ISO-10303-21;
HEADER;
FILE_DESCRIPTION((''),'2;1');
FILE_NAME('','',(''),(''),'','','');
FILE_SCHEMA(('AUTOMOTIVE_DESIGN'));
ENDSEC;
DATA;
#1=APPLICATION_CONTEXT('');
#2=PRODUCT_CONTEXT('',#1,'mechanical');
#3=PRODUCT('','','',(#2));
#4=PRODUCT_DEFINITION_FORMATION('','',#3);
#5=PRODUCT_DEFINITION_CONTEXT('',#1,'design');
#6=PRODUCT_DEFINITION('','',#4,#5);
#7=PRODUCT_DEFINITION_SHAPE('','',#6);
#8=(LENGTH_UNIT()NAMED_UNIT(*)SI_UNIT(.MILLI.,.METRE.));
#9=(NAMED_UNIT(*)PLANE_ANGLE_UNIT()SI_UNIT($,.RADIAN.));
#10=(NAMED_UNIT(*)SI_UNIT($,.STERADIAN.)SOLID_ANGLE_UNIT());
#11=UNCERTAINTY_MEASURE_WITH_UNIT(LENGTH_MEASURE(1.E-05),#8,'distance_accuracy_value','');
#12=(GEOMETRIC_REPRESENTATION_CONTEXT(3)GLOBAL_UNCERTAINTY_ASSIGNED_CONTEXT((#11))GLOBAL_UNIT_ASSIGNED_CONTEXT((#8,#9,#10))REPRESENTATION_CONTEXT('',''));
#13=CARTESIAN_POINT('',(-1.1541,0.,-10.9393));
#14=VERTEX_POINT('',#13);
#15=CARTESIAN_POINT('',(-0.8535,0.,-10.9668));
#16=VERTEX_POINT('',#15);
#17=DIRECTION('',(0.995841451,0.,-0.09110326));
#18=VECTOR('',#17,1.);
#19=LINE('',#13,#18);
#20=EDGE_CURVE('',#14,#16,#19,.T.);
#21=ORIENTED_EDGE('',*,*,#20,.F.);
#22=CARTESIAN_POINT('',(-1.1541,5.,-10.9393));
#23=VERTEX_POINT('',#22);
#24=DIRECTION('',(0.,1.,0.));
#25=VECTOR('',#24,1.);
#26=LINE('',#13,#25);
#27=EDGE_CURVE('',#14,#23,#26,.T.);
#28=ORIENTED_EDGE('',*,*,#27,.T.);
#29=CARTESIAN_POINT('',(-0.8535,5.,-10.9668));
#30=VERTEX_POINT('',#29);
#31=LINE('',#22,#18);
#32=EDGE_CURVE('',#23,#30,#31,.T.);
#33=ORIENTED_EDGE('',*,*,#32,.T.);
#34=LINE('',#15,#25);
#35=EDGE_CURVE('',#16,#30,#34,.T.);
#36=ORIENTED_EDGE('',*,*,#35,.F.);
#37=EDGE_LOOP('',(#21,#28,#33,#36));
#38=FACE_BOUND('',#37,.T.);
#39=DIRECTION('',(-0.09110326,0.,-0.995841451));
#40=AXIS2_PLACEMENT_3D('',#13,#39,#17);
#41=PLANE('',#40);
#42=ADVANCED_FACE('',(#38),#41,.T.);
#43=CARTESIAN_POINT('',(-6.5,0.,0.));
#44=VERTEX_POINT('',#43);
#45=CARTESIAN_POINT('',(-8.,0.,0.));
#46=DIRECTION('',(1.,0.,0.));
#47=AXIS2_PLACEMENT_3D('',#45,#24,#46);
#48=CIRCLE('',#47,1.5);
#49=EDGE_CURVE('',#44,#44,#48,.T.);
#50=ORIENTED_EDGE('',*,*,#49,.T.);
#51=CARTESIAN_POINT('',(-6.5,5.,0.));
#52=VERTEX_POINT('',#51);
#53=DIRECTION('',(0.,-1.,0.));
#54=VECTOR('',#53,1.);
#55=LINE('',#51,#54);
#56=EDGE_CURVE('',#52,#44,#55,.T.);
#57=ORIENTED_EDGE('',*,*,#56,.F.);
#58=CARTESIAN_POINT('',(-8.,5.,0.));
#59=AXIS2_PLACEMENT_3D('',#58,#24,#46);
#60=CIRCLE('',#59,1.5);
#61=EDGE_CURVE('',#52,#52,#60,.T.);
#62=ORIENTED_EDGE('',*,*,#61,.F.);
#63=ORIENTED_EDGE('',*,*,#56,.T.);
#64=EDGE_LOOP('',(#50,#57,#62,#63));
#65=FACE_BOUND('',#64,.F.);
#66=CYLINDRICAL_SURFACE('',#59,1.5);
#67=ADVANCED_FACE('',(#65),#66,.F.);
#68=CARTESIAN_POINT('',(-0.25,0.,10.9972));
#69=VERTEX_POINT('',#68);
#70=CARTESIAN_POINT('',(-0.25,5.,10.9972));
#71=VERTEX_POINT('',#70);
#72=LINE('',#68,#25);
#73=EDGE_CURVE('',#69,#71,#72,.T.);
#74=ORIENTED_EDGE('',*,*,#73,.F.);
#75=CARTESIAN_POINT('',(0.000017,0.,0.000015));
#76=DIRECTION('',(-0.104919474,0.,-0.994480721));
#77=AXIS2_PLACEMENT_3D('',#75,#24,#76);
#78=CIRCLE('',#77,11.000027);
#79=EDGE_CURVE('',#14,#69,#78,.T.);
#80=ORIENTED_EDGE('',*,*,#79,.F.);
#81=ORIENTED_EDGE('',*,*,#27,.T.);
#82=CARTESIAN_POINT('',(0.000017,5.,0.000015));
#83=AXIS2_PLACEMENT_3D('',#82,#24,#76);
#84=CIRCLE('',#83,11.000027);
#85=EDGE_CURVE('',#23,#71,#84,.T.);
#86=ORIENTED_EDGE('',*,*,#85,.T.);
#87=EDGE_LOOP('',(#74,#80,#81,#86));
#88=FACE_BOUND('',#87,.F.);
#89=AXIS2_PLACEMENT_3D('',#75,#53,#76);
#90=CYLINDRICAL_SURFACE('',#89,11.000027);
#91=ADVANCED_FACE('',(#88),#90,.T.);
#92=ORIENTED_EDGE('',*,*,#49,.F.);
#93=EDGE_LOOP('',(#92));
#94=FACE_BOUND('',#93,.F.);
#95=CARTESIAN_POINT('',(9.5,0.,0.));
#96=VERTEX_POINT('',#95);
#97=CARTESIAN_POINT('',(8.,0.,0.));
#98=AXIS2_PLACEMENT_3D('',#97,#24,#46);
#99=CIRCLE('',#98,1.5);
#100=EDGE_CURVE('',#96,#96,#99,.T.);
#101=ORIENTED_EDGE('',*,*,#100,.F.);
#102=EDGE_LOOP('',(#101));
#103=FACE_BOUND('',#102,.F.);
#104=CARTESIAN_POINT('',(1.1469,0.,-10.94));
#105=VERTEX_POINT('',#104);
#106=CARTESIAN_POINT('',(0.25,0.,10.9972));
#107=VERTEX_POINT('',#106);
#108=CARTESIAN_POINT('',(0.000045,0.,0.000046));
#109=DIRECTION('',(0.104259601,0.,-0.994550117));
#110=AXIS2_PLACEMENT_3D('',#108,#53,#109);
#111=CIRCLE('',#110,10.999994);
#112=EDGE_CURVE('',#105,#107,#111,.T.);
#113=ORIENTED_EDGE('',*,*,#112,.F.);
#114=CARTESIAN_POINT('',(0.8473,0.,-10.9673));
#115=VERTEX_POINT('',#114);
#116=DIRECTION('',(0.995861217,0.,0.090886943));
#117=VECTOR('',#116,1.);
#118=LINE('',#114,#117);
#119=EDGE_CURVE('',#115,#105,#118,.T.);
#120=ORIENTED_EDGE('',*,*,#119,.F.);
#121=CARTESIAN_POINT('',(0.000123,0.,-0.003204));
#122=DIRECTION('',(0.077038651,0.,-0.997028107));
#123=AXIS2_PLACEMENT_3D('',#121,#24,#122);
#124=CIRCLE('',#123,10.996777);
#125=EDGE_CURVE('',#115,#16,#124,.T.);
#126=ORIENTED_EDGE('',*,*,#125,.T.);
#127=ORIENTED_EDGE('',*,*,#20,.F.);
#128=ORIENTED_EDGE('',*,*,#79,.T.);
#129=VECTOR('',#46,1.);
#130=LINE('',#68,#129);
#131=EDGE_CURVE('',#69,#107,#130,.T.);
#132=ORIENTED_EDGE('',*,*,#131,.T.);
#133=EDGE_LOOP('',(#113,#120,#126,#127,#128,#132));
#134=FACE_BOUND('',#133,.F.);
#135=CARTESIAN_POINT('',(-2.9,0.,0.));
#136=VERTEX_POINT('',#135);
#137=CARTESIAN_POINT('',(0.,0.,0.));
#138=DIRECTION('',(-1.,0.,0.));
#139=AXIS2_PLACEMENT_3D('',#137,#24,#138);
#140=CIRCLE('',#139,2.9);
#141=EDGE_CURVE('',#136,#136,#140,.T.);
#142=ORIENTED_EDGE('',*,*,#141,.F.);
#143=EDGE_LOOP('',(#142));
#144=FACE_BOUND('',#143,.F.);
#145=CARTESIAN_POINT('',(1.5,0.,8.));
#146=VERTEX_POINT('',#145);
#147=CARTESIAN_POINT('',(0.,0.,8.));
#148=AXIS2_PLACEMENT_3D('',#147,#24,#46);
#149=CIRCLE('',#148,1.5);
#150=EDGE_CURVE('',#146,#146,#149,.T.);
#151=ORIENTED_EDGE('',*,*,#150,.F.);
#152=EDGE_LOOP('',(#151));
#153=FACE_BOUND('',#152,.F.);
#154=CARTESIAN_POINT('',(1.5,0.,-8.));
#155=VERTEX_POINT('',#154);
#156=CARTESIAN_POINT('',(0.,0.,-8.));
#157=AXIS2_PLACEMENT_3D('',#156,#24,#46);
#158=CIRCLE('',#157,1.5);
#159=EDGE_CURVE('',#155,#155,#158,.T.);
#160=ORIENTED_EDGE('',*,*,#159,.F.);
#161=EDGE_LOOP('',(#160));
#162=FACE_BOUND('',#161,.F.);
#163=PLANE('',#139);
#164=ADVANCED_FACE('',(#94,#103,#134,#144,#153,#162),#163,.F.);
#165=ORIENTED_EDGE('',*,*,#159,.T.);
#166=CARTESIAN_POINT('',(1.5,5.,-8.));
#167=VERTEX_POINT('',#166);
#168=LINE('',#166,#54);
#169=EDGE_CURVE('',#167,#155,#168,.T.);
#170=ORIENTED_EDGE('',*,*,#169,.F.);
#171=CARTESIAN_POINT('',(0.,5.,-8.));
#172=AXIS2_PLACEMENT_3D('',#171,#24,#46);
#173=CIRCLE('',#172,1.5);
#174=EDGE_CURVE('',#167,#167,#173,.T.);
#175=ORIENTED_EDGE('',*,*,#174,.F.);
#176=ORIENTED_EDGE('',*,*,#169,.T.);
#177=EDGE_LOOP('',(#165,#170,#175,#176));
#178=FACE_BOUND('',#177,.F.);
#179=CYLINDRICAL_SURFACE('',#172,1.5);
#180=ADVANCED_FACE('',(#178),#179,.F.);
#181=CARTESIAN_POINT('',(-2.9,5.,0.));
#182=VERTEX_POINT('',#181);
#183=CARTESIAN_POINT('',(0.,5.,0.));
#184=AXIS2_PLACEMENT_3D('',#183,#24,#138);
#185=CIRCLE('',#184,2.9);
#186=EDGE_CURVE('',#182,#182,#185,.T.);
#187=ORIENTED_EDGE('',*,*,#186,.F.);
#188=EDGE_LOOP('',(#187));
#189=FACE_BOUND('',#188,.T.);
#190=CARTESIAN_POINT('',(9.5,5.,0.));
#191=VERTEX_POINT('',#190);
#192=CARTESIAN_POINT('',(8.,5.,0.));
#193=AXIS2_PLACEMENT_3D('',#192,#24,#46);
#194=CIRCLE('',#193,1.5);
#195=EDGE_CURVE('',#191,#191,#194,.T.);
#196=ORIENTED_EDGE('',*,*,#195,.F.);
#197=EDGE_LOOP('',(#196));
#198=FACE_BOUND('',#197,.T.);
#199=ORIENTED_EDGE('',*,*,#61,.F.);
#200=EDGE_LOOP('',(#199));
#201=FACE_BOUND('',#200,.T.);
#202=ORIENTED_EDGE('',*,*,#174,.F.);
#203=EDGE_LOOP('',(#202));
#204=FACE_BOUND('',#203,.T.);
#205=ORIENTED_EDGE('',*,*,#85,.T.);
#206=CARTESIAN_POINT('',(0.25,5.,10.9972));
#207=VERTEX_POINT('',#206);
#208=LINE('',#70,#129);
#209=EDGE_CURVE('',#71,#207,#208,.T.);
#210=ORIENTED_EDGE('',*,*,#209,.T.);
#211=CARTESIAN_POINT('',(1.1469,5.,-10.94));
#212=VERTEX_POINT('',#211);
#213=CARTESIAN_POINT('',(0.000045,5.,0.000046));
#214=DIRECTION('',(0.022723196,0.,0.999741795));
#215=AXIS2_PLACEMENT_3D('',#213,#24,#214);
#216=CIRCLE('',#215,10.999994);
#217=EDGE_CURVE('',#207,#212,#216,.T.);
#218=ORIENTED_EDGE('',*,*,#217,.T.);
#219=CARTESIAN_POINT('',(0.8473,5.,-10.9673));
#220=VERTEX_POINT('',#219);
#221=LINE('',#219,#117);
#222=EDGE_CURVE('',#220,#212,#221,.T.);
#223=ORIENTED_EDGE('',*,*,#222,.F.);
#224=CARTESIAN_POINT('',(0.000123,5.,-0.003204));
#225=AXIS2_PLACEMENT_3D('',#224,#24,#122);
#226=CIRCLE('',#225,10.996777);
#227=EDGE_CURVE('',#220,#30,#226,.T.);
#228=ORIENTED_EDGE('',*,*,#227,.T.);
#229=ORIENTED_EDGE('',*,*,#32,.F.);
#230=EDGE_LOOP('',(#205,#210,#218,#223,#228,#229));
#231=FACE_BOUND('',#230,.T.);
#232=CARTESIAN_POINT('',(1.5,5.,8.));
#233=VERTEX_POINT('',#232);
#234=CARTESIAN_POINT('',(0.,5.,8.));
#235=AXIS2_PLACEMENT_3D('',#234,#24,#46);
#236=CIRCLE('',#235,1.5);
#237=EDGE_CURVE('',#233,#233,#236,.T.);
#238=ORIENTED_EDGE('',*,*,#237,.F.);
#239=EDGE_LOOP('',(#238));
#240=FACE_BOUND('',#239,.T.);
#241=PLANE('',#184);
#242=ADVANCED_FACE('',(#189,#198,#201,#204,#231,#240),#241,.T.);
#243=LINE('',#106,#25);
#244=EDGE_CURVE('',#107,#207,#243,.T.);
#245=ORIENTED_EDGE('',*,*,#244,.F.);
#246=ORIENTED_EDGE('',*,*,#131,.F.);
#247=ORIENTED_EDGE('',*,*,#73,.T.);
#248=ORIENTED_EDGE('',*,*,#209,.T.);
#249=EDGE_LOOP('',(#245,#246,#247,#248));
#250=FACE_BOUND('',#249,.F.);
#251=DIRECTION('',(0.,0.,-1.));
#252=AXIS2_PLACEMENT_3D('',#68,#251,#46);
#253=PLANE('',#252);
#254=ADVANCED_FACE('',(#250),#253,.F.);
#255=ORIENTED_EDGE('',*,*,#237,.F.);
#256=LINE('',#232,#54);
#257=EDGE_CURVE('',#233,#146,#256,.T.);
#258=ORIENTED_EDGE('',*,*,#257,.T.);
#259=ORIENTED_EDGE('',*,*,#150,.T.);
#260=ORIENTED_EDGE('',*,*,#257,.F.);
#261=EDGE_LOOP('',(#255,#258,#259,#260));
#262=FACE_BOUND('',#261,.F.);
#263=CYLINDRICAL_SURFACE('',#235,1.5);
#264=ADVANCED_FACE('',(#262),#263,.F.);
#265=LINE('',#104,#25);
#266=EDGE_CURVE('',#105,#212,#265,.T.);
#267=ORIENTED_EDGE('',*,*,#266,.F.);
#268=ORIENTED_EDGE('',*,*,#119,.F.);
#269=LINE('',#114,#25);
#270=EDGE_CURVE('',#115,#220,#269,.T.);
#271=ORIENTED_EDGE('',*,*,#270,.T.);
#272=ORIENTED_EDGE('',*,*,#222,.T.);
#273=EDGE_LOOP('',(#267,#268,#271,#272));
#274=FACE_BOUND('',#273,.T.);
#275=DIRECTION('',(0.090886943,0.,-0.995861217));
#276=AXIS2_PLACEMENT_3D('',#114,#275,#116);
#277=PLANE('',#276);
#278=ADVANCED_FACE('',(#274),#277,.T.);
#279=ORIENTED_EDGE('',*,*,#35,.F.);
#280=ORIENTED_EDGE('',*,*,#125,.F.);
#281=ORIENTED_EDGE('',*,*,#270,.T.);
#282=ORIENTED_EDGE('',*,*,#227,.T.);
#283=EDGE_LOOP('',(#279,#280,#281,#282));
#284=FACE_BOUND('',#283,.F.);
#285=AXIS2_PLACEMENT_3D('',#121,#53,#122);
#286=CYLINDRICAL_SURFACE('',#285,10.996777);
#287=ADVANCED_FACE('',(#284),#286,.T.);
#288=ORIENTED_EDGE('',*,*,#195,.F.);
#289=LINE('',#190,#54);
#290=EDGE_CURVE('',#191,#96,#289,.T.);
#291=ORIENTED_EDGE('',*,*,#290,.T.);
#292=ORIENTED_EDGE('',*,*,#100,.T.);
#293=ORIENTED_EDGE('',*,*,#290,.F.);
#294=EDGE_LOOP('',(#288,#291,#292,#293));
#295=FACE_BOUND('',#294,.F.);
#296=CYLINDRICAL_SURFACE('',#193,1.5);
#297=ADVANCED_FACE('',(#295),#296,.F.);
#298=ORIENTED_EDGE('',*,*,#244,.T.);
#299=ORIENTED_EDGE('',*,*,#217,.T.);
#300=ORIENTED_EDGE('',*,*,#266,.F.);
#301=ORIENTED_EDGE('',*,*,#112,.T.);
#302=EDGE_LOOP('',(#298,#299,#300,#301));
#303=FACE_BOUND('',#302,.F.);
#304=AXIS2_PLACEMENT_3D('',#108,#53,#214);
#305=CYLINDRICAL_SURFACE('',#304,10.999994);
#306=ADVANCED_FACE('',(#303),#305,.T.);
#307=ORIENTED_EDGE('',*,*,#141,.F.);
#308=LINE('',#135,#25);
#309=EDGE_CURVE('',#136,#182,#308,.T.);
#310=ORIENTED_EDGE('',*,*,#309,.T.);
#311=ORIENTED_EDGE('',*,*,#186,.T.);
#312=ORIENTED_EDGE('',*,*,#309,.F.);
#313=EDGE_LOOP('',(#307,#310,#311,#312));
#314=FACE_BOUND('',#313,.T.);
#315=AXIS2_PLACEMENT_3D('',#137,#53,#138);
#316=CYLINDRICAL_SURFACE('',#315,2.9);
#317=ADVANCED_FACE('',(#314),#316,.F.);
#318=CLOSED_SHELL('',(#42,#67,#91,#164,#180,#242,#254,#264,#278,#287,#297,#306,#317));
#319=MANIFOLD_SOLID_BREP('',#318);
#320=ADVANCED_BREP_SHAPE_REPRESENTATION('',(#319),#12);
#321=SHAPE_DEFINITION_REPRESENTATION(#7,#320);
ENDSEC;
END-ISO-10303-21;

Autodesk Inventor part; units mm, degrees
ref_plane "YZ Plane" through (0, 0, 0) normal (1, 0, 0) x (0, 1, 0)
ref_plane "XZ Plane" through (0, 0, 0) normal (0, 1, 0) x (-1, 0, 0)
ref_plane "XY Plane" through (0, 0, 0) normal (0, 0, 1) x (1, 0, 0)
sketch "Эскиз1" plane through (0, 0, 0) normal (0, 1, 0) x (-1, 0, 0)
  arc A0 (-0.25, 9.2247) -> (0.25, 9.2247) centre (0, 8) ccw
  line L0 (-0.25, 10.9972) -> (-0.25, 9.2247)
  arc A1 (-0.25, 10.9972) -> (-1.1469, -10.94) centre (0, 0) ccw
  line L1 (-1.1469, -10.6297) -> (-1.1469, -10.94)
  line L2 (-0.8473, -10.6297) -> (-1.1469, -10.6297)
  line L3 (-0.8473, -10.9673) -> (-0.8473, -10.6297)
  arc A2 (-0.8473, -10.9673) -> (0.8535, -10.9668) centre (0, 0) ccw
  line L4 (0.8535, -10.6297) -> (0.8535, -10.9668)
  line L5 (1.1541, -10.6297) -> (0.8535, -10.6297)
  line L6 (1.1541, -10.9393) -> (1.1541, -10.6297)
  arc A3 (1.1541, -10.9393) -> (0.25, 10.9972) centre (0, 0) ccw
  line L7 (0.25, 9.2247) -> (0.25, 10.9972)
  circle A4 centre (8, 0) radius 1.25
  circle A5 centre (0, -8) radius 1.25
  circle A6 centre (-8, 0) radius 1.25
  circle A7 centre (0, -5.5) radius 0.75
  circle A8 centre (4.7631, 2.75) radius 0.75
  circle A9 centre (-4.7631, 2.75) radius 0.75
  circle A10 centre (0, 0) radius 2.9
  arc A11 (0.25, 9.2247) -> (-0.25, 9.2247) centre (0, 8) ccw
  line L8 (0.25, 10.9972) -> (-0.25, 10.9972)
  line L9 (1.1541, -10.9393) -> (0.8535, -10.9668)
  line L10 (-0.8473, -10.9673) -> (-1.1541, -10.9393)
extrude "Выдавливание1" add sketch "Эскиз1" along normal blind 5 contours A0 L7 A3 L6 L5 L4 A2 L3 L2 L1 A1 L0 | L0 L8 L7 A11 | L9 L4 L5 L6 | L1 L2 L3 L10 | A7 | A8 | A9
sketch "Эскиз2" plane through (0, 5, 0) normal (0, 1, 0) x (1, 0, 0)
  circle A0 centre (0, -8) radius 1.25 projected
  circle A1 centre (0, -8) radius 1.5
  circle A2 centre (-8, 0) radius 1.25 projected
  circle A3 centre (-8, 0) radius 1.5
  circle A4 centre (0, 8) radius 1.25 projected
  circle A5 centre (0, 8) radius 1.5
  circle A6 centre (8, 0) radius 1.25 projected
  circle A7 centre (8, 0) radius 1.5
  point P0 (0, 0)
  dimension "d2" = 3
  dimension "d3" = 3
  dimension "d4" = 3
  dimension "d5" = 3
extrude "Выдавливание2" cut sketch "Эскиз2" against normal blind 10 contours A0 | A1 | A2 | A3 | A4 | A5 | A6 | A7
properties part number "проставка"
